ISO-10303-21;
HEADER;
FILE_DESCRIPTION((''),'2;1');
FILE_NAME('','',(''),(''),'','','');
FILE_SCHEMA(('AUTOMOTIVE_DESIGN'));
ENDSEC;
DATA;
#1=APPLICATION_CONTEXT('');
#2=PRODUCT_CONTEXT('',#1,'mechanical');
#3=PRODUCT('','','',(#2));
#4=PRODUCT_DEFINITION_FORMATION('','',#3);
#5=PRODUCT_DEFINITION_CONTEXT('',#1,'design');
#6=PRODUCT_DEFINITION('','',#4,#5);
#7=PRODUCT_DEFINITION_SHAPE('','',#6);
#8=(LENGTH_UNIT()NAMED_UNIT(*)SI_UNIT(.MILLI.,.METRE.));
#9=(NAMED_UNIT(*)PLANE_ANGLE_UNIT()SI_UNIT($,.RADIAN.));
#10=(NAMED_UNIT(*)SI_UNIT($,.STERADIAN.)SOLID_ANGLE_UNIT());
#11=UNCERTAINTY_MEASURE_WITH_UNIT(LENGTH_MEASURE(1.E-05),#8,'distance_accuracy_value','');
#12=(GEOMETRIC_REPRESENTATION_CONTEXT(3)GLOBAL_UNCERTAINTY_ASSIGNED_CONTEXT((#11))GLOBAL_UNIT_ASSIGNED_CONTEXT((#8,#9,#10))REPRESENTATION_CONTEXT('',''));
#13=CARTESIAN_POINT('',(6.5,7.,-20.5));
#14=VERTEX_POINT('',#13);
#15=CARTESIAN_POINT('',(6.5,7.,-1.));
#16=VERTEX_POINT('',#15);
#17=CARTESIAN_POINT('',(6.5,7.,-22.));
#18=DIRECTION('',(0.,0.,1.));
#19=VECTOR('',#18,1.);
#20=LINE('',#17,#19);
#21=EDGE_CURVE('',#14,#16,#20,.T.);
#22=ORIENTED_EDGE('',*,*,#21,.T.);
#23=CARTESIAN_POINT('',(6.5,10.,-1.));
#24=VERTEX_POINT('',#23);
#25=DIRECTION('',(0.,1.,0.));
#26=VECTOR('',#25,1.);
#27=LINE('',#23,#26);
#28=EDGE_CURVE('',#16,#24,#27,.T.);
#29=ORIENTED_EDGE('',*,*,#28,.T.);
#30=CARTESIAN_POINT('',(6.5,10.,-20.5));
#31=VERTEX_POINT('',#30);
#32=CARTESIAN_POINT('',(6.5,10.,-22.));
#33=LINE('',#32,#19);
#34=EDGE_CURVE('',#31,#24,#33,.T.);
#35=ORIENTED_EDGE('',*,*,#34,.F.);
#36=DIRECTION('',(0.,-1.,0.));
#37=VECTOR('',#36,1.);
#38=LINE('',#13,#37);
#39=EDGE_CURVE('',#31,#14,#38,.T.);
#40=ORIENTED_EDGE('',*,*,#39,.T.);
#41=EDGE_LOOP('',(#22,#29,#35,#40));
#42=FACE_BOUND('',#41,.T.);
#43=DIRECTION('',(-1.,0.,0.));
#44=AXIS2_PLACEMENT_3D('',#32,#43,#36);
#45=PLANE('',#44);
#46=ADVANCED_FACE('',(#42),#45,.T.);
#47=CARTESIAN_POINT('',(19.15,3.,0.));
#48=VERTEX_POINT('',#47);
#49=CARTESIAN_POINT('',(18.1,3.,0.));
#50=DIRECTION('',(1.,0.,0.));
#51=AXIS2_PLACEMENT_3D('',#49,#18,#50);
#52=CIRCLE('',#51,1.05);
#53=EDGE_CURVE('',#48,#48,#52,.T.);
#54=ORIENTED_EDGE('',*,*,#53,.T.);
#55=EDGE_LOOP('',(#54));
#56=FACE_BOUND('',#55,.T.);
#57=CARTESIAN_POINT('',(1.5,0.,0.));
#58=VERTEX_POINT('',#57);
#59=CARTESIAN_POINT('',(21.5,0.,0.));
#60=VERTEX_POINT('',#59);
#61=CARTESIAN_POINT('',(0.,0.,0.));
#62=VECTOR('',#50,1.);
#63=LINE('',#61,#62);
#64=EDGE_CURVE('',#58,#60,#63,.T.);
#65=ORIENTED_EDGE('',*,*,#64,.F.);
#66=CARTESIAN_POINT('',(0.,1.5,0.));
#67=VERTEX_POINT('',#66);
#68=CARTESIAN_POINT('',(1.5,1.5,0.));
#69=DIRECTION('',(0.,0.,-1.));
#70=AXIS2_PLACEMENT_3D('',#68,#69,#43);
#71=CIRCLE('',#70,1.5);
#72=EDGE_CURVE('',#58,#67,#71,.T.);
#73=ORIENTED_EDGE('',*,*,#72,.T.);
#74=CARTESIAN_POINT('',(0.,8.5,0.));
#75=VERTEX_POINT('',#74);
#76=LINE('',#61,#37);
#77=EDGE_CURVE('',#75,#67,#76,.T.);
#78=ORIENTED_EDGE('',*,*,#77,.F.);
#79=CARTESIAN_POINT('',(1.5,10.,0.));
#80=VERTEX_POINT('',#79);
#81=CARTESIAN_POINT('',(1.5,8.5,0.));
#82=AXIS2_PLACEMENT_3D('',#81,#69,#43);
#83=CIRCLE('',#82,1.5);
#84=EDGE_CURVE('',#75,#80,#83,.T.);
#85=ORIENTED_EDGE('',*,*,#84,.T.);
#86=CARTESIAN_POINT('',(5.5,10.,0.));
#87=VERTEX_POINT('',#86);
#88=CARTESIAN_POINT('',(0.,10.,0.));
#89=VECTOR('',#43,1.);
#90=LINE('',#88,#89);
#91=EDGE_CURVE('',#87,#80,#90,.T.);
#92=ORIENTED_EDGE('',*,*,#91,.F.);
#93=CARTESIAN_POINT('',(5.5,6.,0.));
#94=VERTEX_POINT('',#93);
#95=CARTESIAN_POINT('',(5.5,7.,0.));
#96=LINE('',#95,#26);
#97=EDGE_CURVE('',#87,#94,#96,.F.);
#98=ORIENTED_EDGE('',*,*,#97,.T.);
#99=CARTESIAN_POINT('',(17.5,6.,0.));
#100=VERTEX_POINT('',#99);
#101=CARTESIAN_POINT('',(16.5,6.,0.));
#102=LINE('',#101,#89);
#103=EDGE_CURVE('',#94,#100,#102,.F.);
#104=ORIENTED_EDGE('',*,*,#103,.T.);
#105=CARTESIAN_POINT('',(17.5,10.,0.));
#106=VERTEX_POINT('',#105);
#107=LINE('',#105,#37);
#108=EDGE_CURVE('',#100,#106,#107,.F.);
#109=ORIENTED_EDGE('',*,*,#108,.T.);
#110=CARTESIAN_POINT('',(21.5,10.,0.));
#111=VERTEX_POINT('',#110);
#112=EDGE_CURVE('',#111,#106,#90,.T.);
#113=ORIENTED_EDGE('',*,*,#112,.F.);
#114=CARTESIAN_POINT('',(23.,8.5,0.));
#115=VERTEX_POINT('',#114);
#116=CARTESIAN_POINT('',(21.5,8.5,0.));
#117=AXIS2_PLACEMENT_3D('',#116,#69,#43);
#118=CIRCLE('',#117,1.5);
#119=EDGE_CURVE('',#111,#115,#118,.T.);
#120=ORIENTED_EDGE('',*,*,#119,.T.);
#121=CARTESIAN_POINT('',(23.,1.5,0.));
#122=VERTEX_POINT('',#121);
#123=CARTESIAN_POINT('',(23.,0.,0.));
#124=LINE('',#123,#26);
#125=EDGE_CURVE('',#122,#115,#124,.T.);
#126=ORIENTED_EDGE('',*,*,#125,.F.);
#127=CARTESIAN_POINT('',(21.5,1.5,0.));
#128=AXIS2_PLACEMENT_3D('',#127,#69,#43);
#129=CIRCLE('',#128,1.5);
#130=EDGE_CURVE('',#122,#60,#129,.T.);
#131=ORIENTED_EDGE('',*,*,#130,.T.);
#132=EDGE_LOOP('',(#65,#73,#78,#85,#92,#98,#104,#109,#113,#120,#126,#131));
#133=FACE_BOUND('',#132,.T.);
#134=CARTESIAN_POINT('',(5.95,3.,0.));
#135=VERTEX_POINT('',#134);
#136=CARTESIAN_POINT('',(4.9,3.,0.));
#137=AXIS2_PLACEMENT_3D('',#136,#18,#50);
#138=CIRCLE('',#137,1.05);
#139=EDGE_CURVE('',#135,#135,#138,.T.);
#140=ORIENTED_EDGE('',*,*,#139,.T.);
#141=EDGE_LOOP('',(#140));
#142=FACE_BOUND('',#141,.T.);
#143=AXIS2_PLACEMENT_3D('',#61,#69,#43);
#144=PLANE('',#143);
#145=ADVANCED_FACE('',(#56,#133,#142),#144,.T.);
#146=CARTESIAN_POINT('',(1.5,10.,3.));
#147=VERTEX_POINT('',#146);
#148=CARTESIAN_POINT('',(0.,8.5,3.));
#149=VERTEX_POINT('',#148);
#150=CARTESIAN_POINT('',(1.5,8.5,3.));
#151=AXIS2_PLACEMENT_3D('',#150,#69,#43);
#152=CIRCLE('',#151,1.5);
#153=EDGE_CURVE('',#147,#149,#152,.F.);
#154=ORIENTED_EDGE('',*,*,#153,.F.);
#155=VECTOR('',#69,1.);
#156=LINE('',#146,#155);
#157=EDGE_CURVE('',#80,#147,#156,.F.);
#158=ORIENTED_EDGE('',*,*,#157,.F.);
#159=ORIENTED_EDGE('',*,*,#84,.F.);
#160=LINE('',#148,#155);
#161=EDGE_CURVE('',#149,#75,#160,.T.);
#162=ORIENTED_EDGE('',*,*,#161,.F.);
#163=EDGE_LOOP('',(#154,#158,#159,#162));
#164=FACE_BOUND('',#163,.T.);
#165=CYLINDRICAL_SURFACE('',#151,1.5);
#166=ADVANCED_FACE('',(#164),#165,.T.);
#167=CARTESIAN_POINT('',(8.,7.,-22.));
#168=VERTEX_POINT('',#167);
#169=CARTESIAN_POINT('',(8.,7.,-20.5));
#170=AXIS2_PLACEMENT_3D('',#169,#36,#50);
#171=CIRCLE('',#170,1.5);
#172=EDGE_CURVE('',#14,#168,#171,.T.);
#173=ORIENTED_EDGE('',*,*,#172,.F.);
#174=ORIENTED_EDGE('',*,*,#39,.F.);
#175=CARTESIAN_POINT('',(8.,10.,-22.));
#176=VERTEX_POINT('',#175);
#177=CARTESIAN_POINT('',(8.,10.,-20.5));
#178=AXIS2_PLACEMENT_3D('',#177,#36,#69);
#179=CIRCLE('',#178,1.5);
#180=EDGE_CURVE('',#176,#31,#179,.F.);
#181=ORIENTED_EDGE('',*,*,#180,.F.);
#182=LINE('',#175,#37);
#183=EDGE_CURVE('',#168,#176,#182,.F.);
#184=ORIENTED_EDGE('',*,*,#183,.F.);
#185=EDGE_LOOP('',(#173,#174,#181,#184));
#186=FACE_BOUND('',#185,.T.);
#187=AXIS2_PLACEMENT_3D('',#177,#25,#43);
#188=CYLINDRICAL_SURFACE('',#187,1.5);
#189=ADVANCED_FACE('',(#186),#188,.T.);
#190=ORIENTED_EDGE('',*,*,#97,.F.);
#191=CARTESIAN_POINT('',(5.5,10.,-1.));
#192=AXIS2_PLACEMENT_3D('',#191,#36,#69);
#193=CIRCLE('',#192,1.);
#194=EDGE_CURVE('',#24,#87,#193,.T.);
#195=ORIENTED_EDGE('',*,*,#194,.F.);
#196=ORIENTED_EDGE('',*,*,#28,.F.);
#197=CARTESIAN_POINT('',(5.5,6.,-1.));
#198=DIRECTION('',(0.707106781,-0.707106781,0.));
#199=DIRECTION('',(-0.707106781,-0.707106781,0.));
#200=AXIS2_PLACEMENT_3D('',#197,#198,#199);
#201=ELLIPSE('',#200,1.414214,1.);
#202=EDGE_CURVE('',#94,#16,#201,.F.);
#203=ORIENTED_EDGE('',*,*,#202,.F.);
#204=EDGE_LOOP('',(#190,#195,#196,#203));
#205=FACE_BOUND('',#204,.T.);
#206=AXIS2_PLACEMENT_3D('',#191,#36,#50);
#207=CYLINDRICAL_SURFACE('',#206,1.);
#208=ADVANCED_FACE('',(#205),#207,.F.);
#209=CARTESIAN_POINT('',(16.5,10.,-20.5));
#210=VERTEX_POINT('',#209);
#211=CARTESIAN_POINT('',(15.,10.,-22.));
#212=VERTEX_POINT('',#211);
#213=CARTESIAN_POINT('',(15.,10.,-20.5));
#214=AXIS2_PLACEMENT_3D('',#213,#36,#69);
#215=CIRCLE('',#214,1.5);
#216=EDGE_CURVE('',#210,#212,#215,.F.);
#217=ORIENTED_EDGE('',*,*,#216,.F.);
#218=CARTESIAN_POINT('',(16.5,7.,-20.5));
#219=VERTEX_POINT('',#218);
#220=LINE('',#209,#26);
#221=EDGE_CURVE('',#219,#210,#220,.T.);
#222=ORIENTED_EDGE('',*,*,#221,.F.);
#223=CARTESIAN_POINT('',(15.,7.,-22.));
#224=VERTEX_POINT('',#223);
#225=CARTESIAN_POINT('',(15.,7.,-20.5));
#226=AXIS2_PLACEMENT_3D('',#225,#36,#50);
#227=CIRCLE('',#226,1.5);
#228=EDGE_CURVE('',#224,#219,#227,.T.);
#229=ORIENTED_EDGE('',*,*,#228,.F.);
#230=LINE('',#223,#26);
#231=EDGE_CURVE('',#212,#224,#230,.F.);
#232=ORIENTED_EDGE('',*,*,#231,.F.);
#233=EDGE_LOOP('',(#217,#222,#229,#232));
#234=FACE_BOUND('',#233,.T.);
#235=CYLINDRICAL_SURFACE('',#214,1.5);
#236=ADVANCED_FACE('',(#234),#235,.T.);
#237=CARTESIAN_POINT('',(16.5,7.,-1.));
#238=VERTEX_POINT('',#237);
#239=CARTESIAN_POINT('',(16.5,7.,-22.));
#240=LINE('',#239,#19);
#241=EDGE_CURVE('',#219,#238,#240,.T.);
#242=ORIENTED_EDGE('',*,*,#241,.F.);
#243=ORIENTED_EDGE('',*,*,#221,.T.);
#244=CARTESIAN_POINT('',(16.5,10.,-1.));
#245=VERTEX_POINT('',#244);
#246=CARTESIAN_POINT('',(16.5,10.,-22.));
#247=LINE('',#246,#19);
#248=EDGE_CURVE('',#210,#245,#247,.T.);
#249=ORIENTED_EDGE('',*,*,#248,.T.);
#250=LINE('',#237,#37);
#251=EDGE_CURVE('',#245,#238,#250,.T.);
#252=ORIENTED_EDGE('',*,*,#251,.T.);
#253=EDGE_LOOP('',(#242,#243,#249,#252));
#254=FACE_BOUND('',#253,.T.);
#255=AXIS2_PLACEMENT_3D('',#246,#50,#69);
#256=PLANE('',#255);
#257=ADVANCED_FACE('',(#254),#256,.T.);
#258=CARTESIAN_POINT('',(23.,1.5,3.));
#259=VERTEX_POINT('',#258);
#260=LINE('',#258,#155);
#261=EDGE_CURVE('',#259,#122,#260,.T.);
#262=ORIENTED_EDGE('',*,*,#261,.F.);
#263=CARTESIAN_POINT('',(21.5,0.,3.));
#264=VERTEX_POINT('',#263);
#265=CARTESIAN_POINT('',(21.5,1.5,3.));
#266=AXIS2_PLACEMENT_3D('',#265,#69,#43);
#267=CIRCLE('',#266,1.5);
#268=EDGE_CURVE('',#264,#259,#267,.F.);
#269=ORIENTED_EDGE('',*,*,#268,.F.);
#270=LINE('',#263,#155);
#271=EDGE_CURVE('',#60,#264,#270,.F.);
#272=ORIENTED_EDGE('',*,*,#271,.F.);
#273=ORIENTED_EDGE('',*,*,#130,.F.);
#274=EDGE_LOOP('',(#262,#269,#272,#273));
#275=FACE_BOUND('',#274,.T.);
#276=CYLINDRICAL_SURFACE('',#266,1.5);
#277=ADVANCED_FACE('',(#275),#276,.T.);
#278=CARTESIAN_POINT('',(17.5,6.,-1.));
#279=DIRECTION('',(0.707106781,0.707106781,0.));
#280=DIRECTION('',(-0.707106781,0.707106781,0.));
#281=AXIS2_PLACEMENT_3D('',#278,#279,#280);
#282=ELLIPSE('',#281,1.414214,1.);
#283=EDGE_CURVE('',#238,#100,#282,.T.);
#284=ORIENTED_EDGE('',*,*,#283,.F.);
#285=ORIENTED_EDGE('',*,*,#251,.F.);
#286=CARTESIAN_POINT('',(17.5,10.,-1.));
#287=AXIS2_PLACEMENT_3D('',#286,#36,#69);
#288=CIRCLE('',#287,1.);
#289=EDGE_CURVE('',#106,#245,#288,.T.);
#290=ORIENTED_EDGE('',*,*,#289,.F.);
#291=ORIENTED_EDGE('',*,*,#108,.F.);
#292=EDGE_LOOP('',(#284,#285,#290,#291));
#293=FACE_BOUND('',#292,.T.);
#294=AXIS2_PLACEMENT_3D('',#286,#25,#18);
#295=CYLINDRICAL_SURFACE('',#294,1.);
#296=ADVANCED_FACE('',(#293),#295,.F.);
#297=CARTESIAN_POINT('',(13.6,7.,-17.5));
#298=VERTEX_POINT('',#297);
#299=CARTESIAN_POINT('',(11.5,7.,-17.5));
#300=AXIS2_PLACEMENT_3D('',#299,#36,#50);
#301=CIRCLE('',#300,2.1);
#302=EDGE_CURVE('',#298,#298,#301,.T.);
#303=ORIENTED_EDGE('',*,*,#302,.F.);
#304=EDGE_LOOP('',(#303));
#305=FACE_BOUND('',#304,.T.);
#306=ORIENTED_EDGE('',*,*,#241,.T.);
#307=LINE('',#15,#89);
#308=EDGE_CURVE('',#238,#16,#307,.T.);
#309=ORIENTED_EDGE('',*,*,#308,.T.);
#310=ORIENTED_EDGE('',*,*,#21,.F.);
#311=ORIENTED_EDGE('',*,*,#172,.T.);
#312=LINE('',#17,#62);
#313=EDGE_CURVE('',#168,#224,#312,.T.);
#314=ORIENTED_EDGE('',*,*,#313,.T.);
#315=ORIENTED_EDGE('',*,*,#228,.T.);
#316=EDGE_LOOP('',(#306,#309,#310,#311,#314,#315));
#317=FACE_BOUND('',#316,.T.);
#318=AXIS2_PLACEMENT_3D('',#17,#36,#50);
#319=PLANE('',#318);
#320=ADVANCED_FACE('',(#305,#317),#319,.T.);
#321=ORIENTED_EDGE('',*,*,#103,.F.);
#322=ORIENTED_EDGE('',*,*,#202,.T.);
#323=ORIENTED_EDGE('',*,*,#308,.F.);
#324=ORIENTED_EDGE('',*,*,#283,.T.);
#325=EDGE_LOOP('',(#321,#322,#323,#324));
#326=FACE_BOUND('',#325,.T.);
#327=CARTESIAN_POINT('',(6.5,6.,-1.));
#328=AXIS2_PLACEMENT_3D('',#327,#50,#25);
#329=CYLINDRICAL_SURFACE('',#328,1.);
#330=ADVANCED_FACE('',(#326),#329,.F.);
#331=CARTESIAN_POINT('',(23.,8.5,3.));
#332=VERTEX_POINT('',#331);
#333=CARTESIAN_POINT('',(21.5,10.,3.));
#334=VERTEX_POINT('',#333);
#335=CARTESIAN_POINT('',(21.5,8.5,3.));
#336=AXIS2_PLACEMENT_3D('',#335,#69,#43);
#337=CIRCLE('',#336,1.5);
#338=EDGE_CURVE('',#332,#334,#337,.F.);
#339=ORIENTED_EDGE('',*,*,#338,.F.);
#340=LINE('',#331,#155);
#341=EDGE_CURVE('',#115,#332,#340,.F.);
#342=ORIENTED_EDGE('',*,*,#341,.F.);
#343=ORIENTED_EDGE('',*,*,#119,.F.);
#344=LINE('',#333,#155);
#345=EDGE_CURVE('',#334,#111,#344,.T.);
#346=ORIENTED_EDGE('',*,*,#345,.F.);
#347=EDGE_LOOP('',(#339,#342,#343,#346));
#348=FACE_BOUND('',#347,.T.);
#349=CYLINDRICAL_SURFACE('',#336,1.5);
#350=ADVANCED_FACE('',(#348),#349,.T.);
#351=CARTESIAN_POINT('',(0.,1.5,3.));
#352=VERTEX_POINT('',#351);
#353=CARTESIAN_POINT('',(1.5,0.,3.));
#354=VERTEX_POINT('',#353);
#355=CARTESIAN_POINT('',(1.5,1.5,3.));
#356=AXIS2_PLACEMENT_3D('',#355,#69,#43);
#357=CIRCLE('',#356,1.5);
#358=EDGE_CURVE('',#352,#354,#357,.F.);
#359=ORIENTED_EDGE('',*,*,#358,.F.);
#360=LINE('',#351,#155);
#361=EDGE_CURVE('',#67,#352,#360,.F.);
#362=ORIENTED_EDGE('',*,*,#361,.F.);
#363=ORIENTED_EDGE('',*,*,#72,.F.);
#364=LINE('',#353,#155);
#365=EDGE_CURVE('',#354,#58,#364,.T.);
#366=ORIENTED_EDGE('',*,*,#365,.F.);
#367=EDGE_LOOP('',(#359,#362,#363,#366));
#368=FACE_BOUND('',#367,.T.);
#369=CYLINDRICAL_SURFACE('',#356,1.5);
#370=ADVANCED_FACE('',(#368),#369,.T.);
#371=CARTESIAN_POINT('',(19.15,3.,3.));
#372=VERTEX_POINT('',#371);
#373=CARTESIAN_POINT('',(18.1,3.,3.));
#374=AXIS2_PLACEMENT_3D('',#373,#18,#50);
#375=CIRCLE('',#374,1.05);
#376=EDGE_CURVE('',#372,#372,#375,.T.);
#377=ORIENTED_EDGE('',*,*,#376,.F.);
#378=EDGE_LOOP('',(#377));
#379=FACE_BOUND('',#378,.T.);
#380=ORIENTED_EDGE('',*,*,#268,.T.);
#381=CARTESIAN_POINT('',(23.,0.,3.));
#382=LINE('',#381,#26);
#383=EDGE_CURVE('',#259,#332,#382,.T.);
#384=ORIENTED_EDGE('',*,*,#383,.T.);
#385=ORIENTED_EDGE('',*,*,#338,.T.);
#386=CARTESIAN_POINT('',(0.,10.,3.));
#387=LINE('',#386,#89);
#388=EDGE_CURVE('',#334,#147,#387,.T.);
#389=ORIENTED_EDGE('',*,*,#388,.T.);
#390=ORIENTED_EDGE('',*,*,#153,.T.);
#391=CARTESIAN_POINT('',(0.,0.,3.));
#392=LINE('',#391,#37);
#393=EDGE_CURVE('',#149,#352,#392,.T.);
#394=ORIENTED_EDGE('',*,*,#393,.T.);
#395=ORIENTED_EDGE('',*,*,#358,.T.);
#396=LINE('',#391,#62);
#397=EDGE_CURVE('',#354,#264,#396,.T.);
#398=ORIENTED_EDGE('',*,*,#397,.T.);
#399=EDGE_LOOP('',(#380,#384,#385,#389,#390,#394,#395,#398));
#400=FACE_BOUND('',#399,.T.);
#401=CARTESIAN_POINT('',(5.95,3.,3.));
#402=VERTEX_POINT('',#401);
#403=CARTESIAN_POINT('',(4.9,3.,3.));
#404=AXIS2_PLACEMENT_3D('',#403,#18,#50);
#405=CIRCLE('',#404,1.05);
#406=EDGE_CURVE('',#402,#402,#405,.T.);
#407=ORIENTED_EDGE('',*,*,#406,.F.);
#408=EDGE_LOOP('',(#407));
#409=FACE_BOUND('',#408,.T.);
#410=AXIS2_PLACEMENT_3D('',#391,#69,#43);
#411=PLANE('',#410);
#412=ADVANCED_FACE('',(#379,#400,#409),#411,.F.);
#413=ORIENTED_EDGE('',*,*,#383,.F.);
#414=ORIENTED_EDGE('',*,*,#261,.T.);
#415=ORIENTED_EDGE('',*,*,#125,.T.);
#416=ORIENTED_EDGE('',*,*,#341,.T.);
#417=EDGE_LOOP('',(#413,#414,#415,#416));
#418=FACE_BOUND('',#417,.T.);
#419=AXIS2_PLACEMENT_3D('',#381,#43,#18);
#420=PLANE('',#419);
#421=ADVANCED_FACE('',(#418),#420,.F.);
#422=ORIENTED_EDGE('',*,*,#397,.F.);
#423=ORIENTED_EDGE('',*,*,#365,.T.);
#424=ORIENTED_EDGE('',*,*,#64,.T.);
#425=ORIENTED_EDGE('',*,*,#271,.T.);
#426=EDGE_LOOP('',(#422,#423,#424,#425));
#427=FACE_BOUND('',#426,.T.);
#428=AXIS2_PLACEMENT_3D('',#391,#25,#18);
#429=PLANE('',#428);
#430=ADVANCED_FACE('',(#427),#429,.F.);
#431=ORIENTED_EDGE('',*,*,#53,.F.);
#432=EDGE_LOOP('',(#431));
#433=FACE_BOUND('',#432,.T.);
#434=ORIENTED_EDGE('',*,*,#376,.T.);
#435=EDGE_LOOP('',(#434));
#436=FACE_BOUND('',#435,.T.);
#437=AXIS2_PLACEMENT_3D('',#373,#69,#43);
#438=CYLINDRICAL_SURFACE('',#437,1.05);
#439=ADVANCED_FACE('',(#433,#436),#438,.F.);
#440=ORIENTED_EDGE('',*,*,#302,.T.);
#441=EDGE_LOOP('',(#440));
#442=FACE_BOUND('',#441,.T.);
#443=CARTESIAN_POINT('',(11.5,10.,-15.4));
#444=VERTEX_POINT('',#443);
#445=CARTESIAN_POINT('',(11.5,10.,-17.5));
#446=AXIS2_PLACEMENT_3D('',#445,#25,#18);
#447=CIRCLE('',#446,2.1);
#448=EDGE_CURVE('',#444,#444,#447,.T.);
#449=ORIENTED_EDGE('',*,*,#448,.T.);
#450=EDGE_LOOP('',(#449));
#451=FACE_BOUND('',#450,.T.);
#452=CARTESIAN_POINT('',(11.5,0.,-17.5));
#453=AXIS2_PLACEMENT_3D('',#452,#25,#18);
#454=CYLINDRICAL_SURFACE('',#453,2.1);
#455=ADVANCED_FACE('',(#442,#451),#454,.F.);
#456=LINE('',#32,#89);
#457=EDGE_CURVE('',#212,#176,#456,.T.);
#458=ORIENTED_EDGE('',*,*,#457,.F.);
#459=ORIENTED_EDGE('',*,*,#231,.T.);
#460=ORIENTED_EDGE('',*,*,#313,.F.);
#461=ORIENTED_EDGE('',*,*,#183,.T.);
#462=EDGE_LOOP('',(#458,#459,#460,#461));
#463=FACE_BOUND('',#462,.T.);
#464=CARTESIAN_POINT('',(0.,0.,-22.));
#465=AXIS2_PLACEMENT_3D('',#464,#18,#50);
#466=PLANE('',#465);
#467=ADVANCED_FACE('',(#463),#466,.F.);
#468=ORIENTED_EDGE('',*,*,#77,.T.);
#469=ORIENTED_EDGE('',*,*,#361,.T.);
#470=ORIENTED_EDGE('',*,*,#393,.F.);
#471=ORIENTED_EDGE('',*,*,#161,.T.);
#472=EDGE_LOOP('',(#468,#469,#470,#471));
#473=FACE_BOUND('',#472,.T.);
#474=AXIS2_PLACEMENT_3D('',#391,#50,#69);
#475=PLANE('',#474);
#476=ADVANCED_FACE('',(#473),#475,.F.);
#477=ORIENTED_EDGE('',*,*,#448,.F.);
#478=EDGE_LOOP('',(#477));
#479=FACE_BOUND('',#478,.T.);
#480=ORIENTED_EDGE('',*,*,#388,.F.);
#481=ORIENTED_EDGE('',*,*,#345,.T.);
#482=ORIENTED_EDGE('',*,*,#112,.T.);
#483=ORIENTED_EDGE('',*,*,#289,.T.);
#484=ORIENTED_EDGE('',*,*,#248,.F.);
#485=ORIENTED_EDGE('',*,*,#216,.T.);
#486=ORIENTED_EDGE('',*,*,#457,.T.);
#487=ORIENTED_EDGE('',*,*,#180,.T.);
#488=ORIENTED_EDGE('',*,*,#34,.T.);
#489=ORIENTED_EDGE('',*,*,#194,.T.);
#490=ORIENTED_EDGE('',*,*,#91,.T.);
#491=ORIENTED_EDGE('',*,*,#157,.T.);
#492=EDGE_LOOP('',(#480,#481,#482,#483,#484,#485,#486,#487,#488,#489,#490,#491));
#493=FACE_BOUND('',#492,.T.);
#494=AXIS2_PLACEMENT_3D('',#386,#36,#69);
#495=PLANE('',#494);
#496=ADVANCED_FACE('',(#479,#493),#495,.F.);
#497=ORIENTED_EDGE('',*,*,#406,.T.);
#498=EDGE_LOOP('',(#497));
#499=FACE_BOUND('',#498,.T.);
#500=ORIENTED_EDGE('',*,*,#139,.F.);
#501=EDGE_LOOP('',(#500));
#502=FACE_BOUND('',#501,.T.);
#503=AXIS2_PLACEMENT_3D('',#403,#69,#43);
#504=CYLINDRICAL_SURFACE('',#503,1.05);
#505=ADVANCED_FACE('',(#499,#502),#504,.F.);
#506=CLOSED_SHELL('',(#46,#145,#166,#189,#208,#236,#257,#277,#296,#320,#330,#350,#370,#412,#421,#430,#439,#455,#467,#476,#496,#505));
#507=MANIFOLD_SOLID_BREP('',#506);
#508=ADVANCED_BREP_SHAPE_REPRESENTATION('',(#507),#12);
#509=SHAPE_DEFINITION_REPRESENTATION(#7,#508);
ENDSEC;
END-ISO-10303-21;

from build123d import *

# Parameters (mm, degrees)
SKETCH2_W           = 23
SKETCH2_H           = 10
SKETCH2_R           = 1.05
BOSS_EXTRUDE1_DEPTH = 3
SKETCH3_W           = 10
SKETCH3_H           = 3
BOSS_EXTRUDE2_DEPTH = 25
SKETCH4_R           = 2.1
CUT_EXTRUDE1_DEPTH  = 11
FILLET1_R           = 1.5
FILLET2_R           = 1


with BuildPart() as part:
    # Sketch2 → Boss-Extrude1 (new body)
    with BuildSketch(Plane.XY):
        with Locations((11.5, 5)):
            Rectangle(SKETCH2_W, SKETCH2_H)
        with Locations((4.9, 3)):
            Circle(SKETCH2_R, mode=Mode.SUBTRACT)
        with Locations((18.1, 3)):
            Circle(SKETCH2_R, mode=Mode.SUBTRACT)
    extrude(amount=BOSS_EXTRUDE1_DEPTH)

    # Sketch3 → Boss-Extrude2 (add)
    with BuildSketch(Plane.XY.offset(3)):
        with Locations((11.5, 8.5)):
            Rectangle(SKETCH3_W, SKETCH3_H)
    extrude(amount=-BOSS_EXTRUDE2_DEPTH)

    # Sketch4 → Cut-Extrude1 (cut, through all)
    with BuildSketch(Plane(origin=(0, 10, 0), x_dir=(1, 0, 0), z_dir=(0, 1, 0))):
        with Locations((11.5, 17.5)):
            Circle(SKETCH4_R)
    extrude(amount=-CUT_EXTRUDE1_DEPTH, mode=Mode.SUBTRACT)

    # Fillet1
    fillet1_edges = [part.edges().sort_by_distance(p)[0] for p in [
        (6.5, 8.5, -22),
        (16.5, 8.5, -22),
        (0, 10, 1.5),
        (23, 10, 1.5),
        (23, 0, 1.5),
        (0, 0, 1.5),
    ]]
    fillet(fillet1_edges, radius=FILLET1_R)

    # Fillet2
    fillet2_edges = [part.edges().sort_by_distance(p)[0] for p in [
        (11.5, 7, 0),
        (6.5, 8.5, 0),
        (16.5, 8.5, 0),
    ]]
    fillet(fillet2_edges, radius=FILLET2_R)


solid = part.part
